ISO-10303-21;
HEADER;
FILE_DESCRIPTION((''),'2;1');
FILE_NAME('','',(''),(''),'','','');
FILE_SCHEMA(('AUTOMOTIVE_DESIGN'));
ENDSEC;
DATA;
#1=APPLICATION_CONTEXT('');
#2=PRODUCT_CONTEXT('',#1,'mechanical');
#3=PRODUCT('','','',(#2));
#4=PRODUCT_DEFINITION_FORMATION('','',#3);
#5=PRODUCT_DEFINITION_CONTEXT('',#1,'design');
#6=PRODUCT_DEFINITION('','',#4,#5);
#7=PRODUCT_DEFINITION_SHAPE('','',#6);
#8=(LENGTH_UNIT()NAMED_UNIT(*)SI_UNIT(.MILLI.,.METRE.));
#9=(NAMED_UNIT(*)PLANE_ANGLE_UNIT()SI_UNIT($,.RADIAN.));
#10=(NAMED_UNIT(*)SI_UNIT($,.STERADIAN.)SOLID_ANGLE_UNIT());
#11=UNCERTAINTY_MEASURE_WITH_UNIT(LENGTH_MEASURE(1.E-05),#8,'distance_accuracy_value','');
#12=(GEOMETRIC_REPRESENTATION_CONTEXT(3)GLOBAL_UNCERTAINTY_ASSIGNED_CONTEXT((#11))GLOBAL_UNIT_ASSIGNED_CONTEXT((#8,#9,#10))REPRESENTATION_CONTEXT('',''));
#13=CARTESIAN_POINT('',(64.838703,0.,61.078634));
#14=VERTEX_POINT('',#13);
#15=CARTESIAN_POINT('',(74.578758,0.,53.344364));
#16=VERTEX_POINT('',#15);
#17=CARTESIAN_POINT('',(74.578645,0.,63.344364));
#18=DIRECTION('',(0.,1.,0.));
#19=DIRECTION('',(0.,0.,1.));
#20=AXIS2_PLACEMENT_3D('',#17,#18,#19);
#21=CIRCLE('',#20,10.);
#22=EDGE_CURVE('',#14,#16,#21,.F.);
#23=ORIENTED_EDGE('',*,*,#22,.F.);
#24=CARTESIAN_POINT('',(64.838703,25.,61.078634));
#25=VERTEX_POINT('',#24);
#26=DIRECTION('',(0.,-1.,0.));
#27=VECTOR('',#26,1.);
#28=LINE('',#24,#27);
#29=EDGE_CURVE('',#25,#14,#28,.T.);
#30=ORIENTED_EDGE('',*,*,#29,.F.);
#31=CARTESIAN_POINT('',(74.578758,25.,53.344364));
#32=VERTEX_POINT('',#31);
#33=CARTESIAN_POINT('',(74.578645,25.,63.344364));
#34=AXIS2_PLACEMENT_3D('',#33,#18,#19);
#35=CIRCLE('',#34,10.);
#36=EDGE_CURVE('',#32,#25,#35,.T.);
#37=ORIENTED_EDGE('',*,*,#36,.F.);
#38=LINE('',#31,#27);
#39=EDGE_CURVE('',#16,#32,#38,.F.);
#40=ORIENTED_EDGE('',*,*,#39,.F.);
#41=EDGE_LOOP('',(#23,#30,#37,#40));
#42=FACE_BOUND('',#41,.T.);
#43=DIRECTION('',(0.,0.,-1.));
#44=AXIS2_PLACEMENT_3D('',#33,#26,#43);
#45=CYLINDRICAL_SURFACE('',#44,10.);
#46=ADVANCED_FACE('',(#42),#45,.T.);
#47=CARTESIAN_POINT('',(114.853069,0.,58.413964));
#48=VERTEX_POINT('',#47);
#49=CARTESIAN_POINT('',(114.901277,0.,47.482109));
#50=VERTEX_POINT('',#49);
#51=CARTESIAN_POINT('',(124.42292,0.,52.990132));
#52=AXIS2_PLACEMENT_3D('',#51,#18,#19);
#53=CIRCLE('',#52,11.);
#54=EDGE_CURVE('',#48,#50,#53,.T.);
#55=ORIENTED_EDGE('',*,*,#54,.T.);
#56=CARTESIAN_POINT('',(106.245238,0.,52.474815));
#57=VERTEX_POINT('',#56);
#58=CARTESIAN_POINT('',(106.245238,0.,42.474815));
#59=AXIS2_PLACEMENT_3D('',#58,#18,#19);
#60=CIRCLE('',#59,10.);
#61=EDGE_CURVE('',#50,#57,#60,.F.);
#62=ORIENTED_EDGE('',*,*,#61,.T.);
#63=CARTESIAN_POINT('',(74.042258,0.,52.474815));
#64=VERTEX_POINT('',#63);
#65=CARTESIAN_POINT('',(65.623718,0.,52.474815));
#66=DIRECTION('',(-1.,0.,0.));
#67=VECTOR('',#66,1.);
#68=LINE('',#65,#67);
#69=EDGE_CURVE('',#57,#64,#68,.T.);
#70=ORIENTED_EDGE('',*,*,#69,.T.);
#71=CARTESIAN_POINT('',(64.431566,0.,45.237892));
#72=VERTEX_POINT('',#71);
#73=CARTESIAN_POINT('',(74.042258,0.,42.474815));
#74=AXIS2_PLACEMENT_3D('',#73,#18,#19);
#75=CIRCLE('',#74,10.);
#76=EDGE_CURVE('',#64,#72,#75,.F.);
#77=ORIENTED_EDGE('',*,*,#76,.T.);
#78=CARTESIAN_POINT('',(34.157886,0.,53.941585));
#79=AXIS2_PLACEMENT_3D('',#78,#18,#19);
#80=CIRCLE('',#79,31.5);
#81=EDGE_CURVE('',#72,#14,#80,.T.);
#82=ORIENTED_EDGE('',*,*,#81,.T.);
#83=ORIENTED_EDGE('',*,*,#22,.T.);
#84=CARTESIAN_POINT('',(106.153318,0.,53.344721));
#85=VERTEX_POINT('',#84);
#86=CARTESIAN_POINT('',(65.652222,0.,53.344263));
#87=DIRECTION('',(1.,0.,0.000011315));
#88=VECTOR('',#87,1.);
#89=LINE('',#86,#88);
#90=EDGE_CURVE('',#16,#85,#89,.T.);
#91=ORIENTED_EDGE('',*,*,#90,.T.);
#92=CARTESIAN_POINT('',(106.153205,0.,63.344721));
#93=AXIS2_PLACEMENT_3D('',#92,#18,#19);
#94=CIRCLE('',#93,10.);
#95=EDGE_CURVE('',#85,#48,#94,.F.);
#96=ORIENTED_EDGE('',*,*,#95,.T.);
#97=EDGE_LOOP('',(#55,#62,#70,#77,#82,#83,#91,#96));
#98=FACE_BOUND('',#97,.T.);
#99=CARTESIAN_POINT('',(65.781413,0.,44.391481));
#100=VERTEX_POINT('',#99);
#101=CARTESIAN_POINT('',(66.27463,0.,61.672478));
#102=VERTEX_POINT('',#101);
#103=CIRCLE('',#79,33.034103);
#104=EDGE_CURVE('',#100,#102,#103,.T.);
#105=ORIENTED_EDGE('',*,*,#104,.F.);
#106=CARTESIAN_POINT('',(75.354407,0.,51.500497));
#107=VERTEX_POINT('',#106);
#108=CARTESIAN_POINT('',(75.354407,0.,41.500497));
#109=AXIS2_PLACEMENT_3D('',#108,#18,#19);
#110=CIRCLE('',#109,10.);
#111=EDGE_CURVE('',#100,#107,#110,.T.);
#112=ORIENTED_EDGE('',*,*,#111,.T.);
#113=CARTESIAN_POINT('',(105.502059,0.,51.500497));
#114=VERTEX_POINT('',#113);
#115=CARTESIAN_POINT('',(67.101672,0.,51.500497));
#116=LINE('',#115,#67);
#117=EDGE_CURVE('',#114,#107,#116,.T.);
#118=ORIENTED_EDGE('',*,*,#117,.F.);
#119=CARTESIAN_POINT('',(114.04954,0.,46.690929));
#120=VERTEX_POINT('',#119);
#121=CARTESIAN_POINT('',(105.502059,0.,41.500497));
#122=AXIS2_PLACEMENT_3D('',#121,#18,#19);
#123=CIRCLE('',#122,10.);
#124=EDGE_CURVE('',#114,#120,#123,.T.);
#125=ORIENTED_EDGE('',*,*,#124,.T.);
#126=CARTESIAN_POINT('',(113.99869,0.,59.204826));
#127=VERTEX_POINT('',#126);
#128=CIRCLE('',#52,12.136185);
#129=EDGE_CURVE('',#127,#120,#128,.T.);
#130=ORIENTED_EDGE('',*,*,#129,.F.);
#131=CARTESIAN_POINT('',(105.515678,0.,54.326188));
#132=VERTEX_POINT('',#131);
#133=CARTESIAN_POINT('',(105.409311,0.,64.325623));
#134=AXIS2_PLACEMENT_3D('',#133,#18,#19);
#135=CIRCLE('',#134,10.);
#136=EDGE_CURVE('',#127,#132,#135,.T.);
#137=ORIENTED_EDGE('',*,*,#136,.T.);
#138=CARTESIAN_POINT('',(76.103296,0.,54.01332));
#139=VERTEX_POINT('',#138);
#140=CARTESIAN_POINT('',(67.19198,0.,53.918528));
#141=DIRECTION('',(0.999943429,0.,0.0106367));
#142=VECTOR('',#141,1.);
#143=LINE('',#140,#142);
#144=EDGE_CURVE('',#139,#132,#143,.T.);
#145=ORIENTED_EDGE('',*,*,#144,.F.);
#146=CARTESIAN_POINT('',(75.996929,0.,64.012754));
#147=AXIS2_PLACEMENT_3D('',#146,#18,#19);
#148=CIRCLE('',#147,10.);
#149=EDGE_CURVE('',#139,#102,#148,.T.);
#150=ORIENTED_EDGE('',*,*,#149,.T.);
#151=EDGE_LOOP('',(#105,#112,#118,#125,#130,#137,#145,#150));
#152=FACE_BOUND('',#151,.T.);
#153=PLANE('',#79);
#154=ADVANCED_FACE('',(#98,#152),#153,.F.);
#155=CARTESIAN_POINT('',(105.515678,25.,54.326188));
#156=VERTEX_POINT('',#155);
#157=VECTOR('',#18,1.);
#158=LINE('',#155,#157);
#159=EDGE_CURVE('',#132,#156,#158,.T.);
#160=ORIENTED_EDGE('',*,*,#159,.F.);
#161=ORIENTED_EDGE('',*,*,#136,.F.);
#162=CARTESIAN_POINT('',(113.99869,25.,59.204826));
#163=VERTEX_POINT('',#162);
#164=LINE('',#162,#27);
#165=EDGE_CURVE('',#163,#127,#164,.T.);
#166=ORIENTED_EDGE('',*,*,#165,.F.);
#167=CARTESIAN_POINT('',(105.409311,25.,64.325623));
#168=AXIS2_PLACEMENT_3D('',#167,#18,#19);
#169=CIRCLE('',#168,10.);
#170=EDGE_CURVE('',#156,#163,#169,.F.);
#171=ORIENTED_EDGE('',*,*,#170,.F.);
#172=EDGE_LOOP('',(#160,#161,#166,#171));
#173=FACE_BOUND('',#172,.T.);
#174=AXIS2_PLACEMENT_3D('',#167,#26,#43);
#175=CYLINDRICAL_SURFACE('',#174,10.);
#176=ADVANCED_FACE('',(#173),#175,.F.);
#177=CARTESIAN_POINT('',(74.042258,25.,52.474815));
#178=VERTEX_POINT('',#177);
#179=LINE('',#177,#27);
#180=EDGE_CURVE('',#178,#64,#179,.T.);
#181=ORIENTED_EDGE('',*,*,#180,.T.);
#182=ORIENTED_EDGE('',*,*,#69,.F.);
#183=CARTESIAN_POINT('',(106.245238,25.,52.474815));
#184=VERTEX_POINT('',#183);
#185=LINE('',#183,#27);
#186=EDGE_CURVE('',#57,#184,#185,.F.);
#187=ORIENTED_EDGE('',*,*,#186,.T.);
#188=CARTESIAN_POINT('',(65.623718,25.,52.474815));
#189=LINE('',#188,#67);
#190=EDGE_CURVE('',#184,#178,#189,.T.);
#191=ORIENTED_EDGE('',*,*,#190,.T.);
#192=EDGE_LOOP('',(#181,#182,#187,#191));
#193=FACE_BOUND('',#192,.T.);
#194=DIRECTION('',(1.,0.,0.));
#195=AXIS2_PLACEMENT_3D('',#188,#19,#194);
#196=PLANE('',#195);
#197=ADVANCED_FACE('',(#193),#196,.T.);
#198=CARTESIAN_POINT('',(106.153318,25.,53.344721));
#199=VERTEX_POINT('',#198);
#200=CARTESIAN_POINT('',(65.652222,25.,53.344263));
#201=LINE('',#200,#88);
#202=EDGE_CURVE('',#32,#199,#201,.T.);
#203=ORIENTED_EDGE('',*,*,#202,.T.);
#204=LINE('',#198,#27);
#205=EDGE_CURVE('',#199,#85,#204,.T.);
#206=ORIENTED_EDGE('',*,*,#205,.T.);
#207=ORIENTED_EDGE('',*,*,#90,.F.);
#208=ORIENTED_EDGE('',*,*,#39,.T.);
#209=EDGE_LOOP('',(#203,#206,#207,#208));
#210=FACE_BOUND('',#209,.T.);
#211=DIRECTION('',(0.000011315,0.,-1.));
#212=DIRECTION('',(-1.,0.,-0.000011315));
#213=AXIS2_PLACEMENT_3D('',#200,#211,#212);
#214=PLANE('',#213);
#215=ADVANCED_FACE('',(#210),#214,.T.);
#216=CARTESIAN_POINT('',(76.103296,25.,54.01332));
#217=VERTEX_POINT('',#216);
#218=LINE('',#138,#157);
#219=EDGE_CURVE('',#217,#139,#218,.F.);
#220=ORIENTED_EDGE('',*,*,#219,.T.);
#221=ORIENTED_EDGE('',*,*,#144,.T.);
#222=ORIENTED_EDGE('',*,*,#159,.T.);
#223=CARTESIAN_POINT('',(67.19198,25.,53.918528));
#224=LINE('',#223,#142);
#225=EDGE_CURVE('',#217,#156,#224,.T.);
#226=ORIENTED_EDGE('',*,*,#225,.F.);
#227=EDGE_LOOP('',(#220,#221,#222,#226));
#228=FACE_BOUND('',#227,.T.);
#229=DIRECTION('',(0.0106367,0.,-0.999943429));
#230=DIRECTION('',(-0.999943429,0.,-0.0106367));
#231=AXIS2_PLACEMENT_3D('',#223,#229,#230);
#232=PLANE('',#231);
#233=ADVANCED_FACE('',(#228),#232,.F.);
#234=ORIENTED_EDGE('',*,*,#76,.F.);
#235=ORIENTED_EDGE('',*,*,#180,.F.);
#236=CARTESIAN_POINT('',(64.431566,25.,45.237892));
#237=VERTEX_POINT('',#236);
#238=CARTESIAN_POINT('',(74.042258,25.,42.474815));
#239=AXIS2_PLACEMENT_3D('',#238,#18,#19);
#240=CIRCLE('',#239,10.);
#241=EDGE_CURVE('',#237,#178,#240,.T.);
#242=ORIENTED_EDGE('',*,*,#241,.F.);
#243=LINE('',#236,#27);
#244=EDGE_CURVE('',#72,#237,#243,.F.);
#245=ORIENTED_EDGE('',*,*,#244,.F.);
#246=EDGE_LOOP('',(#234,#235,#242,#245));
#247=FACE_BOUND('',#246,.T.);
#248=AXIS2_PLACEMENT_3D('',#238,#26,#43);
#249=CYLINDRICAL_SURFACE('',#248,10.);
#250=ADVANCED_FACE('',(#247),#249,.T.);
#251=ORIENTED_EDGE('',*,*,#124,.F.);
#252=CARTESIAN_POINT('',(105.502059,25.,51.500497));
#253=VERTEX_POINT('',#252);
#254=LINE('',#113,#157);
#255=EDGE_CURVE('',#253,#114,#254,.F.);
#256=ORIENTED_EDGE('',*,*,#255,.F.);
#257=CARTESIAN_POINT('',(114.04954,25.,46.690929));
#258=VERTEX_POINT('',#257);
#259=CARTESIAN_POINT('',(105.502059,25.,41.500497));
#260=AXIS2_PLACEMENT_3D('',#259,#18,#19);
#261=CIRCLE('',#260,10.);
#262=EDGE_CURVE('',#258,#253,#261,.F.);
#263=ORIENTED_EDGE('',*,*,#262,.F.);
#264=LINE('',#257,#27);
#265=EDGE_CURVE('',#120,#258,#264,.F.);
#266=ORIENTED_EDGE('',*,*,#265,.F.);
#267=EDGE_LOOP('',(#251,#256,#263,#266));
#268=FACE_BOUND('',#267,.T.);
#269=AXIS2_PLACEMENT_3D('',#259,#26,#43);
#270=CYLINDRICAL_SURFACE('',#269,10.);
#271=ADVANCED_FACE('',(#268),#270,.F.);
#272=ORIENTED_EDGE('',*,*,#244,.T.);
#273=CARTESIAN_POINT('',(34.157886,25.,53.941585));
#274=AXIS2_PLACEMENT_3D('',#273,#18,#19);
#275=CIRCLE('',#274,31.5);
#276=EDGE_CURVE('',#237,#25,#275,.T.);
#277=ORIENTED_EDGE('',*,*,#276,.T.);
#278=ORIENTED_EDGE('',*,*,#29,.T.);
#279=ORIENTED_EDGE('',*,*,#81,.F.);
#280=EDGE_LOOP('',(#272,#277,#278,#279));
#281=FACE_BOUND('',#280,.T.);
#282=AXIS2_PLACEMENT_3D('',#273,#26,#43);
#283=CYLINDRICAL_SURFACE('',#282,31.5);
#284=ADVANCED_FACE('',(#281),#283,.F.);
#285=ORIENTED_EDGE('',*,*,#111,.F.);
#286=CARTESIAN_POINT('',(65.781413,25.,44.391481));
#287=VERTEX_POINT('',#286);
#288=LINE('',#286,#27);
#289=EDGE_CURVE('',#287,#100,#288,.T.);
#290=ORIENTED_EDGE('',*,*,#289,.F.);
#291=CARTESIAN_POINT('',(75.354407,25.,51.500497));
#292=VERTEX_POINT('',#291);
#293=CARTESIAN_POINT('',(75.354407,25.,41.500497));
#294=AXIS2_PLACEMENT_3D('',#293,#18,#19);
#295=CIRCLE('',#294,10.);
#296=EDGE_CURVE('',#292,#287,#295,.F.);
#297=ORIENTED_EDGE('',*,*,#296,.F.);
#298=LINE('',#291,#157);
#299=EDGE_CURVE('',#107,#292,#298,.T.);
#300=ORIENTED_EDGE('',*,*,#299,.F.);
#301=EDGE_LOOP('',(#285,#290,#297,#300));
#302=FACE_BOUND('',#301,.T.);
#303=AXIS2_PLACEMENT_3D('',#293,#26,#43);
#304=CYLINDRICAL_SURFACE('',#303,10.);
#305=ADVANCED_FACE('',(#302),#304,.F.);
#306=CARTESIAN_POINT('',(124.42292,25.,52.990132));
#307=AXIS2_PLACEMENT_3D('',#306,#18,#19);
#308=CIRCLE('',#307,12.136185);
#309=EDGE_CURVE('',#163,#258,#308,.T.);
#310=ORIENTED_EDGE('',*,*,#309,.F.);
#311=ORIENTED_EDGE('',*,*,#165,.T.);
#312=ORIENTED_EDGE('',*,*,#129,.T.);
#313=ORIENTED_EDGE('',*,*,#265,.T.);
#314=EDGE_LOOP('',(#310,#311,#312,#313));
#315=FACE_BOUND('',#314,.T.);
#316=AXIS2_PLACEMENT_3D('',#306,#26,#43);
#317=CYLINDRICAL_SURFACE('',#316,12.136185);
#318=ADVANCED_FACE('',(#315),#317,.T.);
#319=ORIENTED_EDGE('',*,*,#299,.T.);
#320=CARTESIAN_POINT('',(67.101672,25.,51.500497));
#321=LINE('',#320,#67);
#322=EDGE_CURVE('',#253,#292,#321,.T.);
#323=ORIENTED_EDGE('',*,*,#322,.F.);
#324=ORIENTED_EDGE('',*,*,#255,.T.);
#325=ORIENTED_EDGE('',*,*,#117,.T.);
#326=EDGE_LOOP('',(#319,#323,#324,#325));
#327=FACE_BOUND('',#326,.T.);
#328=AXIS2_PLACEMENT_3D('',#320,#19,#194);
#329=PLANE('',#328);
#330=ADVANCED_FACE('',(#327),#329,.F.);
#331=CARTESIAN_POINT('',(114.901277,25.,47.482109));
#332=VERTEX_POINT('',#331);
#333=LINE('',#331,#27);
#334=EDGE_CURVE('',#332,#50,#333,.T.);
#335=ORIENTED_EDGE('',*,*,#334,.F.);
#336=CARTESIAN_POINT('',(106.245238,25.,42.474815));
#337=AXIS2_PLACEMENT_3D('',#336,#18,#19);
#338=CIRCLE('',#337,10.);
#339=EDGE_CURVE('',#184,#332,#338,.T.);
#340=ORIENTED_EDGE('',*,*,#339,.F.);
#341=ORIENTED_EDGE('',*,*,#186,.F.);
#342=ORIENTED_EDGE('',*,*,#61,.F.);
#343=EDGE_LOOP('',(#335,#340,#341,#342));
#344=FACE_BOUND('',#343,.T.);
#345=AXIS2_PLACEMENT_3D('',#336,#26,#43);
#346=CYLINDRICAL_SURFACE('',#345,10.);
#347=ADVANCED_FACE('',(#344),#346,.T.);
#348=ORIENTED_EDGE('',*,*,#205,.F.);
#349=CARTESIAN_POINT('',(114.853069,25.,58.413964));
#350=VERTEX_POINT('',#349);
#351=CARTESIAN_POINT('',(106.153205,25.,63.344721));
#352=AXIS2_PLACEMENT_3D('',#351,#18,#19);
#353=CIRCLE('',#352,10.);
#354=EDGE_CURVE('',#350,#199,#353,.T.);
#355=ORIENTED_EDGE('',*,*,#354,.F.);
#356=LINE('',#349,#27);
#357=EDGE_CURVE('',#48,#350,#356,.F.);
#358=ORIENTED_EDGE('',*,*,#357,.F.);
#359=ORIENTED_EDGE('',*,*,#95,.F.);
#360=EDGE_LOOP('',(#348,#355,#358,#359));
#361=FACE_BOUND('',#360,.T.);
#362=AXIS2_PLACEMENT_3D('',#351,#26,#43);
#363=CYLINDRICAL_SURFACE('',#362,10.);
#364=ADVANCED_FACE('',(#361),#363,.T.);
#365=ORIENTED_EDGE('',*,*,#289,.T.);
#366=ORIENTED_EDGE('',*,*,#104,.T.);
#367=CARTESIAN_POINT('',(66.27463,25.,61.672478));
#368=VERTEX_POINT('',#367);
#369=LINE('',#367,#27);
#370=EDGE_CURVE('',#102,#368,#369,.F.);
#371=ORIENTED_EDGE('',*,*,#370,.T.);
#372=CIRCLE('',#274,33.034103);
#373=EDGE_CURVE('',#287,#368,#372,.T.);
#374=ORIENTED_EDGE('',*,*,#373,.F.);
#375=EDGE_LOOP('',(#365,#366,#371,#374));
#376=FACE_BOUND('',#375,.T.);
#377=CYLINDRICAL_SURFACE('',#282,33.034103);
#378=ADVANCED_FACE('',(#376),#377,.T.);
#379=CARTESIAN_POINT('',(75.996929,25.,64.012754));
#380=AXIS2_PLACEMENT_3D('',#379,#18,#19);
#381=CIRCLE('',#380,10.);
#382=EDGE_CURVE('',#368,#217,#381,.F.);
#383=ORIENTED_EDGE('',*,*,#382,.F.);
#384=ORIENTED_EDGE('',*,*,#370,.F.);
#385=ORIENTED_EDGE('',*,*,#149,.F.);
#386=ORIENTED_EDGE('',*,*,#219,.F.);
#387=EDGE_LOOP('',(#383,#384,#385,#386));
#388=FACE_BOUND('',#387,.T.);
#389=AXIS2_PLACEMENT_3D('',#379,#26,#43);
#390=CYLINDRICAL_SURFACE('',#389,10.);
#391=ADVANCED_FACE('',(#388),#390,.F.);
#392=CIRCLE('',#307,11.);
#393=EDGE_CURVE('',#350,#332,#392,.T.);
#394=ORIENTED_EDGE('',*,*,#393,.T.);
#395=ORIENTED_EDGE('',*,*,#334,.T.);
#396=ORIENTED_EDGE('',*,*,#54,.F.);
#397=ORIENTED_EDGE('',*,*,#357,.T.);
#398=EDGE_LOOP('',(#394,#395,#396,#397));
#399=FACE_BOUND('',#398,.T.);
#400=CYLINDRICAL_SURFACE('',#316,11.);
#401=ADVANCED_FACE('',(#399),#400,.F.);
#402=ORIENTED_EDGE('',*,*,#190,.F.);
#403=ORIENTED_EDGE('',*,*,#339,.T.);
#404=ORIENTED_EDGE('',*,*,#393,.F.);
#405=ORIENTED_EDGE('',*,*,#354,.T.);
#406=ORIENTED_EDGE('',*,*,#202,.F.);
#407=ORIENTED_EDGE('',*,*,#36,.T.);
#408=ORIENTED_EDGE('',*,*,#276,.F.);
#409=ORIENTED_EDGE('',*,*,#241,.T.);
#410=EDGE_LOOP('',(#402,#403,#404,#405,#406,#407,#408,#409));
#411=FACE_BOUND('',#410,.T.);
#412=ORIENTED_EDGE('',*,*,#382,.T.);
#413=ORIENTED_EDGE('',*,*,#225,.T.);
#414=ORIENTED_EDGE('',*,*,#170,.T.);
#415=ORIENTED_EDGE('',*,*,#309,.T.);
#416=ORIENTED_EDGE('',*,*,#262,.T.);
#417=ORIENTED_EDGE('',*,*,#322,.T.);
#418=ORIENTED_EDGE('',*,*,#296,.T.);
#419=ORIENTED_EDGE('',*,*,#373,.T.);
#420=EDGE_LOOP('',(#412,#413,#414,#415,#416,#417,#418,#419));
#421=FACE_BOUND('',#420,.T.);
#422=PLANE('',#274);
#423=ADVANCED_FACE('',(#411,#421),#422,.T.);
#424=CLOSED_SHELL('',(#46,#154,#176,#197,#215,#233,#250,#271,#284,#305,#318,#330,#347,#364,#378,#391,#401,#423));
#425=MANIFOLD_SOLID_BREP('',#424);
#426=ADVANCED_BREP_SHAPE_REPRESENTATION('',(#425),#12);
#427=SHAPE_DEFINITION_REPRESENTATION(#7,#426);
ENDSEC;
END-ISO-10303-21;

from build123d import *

# Parameters (mm, degrees)
EXTRUDE_1_DEPTH = 25
FILLET_1_R      = 10
FILLET_2_R      = 10
FILLET_3_R      = 10
FILLET_4_R      = 10


with BuildPart() as part:
    # Эскиз1 → Вытянуть1 (new body)
    with BuildSketch(Plane(origin=(0, 0, 0), x_dir=(1, 0, 0), z_dir=(0, 1, 0))):
        with BuildLine():
            Line((67.101671661, -51.500497432), (112.378503317, -51.500497432))
            ThreePointArc((112.378503317, -51.500497432), (136.559037069, -53.030762447), (112.368799134, -54.399087045))
            Line((112.368799134, -54.399087045), (67.191980368, -53.918527595))
            ThreePointArc((67.191980368, -53.918527595), (1.146798105, -55.174484728), (67.101671661, -51.500497432))
        make_face()
        with BuildLine():
            Line((65.623717724, -52.474815373), (113.434997223, -52.474815373))
            ThreePointArc((113.434997223, -52.474815373), (135.422626362, -53.070517379), (113.428639384, -53.344803486))
            Line((113.428639384, -53.344803486), (65.65222177, -53.344262878))
            ThreePointArc((65.65222177, -53.344262878), (2.674800085, -54.973729362), (65.623717724, -52.474815373))
        make_face(mode=Mode.SUBTRACT)
    extrude(amount=EXTRUDE_1_DEPTH)

    # Скругление1
    fillet_1_edges = [part.edges().sort_by_distance(p)[0] for p in [
        (67.191980368, 12.5, 53.918527595),
    ]]
    fillet(fillet_1_edges, radius=FILLET_1_R)

    # Скругление2
    fillet_2_edges = [part.edges().sort_by_distance(p)[0] for p in [
        (65.65222177, 12.5, 53.344262878),
    ]]
    fillet(fillet_2_edges, radius=FILLET_2_R)

    # Скругление3
    fillet_3_edges = [part.edges().sort_by_distance(p)[0] for p in [
        (65.623717724, 12.5, 52.474815373),
        (67.101671661, 12.5, 51.500497432),
    ]]
    fillet(fillet_3_edges, radius=FILLET_3_R)

    # Скругление4
    fillet_4_edges = [part.edges().sort_by_distance(p)[0] for p in [
        (113.428639384, 12.5, 53.344803486),
        (113.434997223, 12.5, 52.474815373),
        (112.378503317, 12.5, 51.500497432),
        (112.368799134, 12.5, 54.399087045),
    ]]
    fillet(fillet_4_edges, radius=FILLET_4_R)


solid = part.part
